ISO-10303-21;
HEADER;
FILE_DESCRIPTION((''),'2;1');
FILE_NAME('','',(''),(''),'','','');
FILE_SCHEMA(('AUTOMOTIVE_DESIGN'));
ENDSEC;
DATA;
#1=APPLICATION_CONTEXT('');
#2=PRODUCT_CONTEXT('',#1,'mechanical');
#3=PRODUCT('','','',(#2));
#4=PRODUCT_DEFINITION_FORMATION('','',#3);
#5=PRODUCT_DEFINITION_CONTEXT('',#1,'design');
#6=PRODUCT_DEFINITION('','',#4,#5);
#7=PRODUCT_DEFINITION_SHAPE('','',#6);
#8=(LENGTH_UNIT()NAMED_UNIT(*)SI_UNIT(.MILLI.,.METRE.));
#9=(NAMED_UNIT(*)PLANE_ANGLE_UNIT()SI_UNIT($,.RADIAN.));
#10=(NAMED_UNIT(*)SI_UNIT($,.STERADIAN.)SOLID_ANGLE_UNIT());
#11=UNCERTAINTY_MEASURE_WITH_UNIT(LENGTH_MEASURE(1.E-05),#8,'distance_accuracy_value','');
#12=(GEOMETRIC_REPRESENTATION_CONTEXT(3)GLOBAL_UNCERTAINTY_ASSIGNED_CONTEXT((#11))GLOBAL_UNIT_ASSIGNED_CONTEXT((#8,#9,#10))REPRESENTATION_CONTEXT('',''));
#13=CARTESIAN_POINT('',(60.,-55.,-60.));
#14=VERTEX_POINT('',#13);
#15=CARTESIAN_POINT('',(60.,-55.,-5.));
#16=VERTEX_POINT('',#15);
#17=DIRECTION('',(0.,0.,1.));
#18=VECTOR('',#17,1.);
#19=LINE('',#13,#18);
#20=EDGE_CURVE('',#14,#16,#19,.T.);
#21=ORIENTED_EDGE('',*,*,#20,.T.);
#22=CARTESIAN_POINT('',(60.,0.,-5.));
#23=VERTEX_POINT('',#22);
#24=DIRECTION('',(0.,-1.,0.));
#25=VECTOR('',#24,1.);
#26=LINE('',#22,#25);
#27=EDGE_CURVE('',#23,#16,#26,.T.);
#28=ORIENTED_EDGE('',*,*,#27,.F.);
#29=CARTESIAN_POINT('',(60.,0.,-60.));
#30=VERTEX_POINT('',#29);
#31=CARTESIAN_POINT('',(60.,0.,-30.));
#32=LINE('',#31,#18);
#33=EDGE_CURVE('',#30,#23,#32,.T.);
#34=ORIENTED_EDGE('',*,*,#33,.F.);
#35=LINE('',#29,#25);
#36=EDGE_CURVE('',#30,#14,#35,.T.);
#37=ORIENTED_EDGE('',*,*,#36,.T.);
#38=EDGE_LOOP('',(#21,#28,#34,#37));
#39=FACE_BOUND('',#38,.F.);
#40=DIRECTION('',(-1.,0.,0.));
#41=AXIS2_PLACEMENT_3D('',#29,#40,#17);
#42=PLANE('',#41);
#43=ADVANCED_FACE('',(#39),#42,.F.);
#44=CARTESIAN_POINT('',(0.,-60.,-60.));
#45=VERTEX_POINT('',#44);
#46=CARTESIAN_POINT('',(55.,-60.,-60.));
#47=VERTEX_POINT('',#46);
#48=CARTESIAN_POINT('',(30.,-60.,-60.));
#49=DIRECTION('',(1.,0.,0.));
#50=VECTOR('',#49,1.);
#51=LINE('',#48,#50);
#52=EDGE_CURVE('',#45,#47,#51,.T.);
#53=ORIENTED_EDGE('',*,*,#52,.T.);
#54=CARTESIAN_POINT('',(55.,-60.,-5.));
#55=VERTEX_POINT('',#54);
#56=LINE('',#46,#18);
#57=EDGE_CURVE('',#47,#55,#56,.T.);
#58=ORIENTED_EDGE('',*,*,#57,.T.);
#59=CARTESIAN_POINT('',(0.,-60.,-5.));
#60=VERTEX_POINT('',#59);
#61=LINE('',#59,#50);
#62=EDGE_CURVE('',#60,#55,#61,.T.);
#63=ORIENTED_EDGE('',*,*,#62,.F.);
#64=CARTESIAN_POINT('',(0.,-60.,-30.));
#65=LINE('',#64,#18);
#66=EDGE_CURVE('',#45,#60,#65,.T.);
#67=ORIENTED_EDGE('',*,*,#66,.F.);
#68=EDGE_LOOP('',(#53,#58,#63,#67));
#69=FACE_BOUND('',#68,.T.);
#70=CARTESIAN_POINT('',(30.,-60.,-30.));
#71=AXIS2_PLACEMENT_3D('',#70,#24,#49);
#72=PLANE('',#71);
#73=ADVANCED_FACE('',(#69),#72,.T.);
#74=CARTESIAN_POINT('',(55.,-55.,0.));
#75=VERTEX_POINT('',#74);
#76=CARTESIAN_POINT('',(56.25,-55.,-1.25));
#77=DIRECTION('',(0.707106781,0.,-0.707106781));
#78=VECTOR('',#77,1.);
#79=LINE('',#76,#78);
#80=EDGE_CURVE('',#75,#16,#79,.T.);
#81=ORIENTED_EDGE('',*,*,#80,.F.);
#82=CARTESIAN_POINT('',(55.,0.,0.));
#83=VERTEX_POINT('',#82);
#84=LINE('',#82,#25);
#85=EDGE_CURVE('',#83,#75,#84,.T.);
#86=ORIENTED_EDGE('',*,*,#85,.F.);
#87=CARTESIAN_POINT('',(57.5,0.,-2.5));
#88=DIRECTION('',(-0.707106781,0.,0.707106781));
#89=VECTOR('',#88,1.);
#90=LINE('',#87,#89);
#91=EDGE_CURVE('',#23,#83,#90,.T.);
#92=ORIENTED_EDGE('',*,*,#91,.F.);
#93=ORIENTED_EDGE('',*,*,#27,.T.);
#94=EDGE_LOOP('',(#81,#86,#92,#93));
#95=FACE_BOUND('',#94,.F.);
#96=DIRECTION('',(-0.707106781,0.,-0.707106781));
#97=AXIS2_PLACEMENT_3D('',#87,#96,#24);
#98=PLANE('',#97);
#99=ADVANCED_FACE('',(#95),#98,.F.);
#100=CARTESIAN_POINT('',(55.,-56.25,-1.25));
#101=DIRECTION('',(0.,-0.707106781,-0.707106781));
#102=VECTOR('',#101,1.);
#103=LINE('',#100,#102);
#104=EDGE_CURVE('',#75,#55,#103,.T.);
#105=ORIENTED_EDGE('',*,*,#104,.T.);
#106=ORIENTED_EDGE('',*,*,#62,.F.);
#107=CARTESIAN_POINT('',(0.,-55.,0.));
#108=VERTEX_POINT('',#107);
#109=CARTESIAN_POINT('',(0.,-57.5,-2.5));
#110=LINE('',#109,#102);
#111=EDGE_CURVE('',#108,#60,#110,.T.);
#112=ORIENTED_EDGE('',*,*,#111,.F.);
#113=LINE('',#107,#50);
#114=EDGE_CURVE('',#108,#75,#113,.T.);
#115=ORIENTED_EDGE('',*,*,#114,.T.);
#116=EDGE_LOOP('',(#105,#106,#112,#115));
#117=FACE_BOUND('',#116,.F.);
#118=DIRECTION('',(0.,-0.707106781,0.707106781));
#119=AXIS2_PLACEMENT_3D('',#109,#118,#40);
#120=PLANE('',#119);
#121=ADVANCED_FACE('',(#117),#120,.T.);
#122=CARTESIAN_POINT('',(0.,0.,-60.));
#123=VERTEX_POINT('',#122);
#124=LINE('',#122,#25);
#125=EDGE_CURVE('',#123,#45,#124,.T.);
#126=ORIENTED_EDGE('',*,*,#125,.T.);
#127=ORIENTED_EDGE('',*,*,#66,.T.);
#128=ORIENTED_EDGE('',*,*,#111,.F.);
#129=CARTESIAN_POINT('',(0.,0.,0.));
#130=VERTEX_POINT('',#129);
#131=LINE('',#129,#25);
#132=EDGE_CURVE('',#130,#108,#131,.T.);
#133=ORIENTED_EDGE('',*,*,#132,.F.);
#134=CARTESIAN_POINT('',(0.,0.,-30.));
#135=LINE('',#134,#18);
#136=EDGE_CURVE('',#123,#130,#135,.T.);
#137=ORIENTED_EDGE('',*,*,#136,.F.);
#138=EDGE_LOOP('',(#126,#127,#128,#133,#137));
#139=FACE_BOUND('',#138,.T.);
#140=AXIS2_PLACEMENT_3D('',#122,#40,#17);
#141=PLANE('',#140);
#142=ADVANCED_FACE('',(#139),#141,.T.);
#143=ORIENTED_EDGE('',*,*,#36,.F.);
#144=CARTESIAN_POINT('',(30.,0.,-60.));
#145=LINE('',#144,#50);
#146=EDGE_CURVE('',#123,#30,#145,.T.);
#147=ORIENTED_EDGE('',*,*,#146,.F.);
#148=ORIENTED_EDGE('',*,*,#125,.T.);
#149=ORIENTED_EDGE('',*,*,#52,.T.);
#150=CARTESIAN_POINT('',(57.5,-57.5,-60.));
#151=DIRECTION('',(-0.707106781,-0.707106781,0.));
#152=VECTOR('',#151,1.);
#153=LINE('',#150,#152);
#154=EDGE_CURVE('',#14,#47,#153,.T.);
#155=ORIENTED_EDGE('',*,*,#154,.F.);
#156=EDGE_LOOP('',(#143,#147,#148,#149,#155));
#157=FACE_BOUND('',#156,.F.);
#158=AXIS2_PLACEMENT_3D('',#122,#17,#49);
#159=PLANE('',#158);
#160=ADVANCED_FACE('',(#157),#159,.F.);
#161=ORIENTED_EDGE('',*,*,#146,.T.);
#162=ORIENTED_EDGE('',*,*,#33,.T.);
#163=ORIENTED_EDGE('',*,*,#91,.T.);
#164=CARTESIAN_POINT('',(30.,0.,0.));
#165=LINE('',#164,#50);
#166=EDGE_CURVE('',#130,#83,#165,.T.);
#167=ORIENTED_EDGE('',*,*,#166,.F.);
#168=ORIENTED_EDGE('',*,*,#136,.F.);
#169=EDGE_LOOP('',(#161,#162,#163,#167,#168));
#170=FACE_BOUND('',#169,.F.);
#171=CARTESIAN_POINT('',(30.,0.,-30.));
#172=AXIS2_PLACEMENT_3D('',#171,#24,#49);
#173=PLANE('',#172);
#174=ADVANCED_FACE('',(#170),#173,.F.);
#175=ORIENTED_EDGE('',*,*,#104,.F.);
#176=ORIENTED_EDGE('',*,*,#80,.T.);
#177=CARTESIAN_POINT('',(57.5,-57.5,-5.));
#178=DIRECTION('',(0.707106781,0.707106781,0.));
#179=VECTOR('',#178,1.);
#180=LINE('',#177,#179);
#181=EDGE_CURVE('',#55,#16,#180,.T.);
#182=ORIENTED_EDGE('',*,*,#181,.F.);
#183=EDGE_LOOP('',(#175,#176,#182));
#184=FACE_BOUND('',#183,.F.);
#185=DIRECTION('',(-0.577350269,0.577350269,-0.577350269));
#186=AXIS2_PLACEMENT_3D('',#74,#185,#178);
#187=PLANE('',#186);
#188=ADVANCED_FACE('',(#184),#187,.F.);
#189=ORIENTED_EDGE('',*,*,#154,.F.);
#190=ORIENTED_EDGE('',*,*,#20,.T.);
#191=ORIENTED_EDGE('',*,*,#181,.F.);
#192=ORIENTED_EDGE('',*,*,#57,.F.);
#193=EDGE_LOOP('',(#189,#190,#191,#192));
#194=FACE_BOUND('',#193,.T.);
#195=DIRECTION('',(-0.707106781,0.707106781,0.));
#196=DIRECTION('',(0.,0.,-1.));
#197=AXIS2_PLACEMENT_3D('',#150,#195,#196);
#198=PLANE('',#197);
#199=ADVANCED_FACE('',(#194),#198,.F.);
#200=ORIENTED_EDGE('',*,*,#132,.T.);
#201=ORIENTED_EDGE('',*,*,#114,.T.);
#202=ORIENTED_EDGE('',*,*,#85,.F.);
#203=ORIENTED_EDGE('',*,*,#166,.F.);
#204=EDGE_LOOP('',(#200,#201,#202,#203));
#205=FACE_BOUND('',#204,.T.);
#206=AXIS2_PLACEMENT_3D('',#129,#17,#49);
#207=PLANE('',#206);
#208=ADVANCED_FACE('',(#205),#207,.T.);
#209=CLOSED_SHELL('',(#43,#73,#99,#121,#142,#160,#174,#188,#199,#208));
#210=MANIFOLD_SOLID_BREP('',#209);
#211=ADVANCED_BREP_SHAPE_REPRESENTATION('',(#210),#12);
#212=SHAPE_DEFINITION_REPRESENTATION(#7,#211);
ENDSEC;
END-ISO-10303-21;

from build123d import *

# Parameters (mm, degrees)
F0_W     = 60
F0_H     = 60
F1_DEPTH = 60
F2_SIZE  = 5


with BuildPart() as f1:
    # F0 (on Front) → F1 (new body)
    with BuildSketch(Plane.XZ):
        with Locations((30, -30)):
            Rectangle(F0_W, F0_H)
    extrude(amount=F1_DEPTH)

    # F2
    f2_edges = [f1.edges().sort_by_distance(p)[0] for p in [
        (60, -60, -30),
        (30, -60, 0),
        (60, -30, 0),
    ]]
    chamfer(f2_edges, length=F2_SIZE)


solid = f1.part
